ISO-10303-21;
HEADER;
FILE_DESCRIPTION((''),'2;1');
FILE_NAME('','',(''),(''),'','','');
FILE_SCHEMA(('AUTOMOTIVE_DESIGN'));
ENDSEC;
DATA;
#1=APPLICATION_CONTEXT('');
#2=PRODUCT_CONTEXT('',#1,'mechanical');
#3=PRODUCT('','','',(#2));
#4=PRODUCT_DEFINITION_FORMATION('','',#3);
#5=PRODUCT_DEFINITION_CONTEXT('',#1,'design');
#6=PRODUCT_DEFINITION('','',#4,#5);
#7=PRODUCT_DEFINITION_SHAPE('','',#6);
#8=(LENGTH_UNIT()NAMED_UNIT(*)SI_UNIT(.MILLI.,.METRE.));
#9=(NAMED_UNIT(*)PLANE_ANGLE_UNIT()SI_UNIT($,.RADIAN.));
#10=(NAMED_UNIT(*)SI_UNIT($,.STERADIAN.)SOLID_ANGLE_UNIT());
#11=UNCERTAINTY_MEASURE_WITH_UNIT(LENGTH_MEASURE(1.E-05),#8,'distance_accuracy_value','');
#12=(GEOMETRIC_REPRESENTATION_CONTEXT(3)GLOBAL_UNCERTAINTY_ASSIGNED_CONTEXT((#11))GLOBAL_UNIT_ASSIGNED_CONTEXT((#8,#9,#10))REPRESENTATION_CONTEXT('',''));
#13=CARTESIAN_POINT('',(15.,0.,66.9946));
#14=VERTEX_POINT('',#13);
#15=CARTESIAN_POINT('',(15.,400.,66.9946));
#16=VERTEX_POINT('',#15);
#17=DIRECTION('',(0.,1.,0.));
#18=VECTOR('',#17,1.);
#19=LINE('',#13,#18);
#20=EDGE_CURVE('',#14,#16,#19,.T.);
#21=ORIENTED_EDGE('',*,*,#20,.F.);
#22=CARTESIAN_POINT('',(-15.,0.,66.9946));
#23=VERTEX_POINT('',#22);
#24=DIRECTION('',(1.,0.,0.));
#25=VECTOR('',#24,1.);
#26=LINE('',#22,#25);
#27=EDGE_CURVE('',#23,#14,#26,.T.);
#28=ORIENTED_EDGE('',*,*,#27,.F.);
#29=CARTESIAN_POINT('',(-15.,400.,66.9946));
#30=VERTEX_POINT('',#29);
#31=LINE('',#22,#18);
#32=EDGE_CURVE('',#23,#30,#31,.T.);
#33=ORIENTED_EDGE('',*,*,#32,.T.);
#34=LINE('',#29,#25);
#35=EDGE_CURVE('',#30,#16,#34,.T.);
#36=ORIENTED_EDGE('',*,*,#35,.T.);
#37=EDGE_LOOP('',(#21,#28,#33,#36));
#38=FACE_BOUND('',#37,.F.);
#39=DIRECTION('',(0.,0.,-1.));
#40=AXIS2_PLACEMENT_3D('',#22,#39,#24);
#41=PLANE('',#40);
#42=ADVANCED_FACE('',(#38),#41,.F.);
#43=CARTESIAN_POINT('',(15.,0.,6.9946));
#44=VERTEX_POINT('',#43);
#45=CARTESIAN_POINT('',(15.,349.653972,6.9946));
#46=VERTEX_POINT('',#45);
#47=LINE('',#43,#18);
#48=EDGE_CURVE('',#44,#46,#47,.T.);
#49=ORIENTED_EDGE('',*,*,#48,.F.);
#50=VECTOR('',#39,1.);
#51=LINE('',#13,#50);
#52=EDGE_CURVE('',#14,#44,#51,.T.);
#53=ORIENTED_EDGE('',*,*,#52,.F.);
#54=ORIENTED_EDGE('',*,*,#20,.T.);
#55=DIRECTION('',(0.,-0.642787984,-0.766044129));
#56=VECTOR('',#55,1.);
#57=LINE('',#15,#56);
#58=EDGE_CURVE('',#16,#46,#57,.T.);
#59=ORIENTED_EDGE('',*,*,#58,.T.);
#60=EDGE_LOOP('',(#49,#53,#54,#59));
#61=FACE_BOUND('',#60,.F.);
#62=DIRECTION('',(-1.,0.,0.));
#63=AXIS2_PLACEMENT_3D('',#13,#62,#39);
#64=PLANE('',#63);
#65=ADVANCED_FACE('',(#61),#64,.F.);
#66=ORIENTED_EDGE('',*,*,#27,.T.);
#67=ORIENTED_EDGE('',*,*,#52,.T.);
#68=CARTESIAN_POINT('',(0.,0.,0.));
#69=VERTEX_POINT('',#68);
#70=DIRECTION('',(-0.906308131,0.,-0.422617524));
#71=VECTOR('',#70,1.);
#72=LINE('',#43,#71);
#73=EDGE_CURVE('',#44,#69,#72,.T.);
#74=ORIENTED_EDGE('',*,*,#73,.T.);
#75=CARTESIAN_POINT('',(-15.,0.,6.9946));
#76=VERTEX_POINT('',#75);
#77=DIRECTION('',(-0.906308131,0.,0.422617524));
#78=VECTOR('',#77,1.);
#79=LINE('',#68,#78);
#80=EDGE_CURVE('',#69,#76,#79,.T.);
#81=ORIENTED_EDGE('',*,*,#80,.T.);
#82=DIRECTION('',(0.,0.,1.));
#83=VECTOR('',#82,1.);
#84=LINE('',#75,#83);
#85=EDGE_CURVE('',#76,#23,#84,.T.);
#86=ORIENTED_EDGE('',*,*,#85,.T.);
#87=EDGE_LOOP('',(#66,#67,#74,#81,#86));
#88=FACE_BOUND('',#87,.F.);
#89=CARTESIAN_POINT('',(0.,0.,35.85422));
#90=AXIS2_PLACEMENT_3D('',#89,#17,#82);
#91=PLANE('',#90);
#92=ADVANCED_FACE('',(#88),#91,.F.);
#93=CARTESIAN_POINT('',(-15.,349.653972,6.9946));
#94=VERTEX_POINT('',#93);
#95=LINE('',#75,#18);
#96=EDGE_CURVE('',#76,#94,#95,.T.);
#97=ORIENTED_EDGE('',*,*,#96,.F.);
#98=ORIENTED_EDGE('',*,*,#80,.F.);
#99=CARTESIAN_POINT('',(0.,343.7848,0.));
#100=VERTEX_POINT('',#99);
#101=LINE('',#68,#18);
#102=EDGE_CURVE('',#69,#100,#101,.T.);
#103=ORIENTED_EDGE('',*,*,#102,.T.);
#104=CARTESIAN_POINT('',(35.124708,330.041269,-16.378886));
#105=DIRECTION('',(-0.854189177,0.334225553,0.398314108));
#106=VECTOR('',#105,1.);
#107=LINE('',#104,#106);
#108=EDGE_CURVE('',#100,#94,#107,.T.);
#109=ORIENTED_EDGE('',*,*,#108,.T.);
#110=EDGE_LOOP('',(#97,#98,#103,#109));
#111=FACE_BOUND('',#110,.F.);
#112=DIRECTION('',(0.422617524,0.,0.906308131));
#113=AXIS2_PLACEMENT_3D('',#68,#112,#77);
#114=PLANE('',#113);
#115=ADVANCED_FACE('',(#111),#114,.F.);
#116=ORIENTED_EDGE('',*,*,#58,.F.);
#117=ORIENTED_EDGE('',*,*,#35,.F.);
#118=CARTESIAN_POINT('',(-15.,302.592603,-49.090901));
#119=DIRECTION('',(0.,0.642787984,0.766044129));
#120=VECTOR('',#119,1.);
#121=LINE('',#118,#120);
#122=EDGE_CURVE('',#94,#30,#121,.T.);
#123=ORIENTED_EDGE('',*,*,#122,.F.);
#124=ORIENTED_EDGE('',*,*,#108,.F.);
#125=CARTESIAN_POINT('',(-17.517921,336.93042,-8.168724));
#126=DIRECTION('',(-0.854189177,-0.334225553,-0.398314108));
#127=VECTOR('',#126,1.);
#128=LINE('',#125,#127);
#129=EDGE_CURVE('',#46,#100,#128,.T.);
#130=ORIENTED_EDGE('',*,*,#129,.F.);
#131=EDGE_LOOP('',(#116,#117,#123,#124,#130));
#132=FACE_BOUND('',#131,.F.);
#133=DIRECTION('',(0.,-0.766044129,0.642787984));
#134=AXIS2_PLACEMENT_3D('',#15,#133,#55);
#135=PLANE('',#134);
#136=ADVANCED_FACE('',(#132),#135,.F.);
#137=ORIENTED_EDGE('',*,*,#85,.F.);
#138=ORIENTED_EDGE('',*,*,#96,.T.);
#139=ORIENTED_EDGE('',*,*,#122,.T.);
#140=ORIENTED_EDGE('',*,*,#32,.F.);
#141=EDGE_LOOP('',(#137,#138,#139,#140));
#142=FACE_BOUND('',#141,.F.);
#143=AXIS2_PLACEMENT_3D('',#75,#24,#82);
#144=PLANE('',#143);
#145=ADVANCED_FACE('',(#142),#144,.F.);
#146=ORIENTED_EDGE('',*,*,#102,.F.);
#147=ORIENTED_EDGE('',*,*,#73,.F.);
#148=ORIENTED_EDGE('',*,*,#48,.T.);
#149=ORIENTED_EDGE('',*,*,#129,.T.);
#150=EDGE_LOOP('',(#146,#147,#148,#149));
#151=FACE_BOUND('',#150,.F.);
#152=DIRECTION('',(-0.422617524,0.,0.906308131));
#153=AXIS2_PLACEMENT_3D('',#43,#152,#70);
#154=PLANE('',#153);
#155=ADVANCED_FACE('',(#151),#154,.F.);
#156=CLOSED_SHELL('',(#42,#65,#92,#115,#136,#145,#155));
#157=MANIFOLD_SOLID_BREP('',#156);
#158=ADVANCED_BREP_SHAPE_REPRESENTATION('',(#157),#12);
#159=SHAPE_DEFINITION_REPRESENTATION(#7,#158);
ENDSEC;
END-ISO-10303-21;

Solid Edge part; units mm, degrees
sketch "Sketch1" plane through (0, 0, 0) normal (0, -1, 0) x (1, 0, 0)
  line L0 (15, 66.9946) -> (15, 6.9946)
  line L1 (15, 6.9946) -> (0, 0)
  line L2 (0, 0) -> (-15, 6.9946)
  line L3 (-15, 6.9946) -> (-15, 66.9946)
  line L4 (-15, 66.9946) -> (15, 66.9946)
extrude "Protrusion1" add sketch "Sketch1" against normal blind 400
sketch "Sketch2" plane through (15, 35, 21.0229) normal (1, 0, 0) x (0, 1, 0)
  line L0 (365, 45.9717) -> (308.7848, -21.0229)
  line L1 (308.7848, -21.0229) -> (365, -21.0229)
  line L2 (365, -21.0229) -> (365, 45.9717)
extrude "Cutout1" cut sketch "Sketch2" against normal up to next
properties material "ABS 20% Infill"
